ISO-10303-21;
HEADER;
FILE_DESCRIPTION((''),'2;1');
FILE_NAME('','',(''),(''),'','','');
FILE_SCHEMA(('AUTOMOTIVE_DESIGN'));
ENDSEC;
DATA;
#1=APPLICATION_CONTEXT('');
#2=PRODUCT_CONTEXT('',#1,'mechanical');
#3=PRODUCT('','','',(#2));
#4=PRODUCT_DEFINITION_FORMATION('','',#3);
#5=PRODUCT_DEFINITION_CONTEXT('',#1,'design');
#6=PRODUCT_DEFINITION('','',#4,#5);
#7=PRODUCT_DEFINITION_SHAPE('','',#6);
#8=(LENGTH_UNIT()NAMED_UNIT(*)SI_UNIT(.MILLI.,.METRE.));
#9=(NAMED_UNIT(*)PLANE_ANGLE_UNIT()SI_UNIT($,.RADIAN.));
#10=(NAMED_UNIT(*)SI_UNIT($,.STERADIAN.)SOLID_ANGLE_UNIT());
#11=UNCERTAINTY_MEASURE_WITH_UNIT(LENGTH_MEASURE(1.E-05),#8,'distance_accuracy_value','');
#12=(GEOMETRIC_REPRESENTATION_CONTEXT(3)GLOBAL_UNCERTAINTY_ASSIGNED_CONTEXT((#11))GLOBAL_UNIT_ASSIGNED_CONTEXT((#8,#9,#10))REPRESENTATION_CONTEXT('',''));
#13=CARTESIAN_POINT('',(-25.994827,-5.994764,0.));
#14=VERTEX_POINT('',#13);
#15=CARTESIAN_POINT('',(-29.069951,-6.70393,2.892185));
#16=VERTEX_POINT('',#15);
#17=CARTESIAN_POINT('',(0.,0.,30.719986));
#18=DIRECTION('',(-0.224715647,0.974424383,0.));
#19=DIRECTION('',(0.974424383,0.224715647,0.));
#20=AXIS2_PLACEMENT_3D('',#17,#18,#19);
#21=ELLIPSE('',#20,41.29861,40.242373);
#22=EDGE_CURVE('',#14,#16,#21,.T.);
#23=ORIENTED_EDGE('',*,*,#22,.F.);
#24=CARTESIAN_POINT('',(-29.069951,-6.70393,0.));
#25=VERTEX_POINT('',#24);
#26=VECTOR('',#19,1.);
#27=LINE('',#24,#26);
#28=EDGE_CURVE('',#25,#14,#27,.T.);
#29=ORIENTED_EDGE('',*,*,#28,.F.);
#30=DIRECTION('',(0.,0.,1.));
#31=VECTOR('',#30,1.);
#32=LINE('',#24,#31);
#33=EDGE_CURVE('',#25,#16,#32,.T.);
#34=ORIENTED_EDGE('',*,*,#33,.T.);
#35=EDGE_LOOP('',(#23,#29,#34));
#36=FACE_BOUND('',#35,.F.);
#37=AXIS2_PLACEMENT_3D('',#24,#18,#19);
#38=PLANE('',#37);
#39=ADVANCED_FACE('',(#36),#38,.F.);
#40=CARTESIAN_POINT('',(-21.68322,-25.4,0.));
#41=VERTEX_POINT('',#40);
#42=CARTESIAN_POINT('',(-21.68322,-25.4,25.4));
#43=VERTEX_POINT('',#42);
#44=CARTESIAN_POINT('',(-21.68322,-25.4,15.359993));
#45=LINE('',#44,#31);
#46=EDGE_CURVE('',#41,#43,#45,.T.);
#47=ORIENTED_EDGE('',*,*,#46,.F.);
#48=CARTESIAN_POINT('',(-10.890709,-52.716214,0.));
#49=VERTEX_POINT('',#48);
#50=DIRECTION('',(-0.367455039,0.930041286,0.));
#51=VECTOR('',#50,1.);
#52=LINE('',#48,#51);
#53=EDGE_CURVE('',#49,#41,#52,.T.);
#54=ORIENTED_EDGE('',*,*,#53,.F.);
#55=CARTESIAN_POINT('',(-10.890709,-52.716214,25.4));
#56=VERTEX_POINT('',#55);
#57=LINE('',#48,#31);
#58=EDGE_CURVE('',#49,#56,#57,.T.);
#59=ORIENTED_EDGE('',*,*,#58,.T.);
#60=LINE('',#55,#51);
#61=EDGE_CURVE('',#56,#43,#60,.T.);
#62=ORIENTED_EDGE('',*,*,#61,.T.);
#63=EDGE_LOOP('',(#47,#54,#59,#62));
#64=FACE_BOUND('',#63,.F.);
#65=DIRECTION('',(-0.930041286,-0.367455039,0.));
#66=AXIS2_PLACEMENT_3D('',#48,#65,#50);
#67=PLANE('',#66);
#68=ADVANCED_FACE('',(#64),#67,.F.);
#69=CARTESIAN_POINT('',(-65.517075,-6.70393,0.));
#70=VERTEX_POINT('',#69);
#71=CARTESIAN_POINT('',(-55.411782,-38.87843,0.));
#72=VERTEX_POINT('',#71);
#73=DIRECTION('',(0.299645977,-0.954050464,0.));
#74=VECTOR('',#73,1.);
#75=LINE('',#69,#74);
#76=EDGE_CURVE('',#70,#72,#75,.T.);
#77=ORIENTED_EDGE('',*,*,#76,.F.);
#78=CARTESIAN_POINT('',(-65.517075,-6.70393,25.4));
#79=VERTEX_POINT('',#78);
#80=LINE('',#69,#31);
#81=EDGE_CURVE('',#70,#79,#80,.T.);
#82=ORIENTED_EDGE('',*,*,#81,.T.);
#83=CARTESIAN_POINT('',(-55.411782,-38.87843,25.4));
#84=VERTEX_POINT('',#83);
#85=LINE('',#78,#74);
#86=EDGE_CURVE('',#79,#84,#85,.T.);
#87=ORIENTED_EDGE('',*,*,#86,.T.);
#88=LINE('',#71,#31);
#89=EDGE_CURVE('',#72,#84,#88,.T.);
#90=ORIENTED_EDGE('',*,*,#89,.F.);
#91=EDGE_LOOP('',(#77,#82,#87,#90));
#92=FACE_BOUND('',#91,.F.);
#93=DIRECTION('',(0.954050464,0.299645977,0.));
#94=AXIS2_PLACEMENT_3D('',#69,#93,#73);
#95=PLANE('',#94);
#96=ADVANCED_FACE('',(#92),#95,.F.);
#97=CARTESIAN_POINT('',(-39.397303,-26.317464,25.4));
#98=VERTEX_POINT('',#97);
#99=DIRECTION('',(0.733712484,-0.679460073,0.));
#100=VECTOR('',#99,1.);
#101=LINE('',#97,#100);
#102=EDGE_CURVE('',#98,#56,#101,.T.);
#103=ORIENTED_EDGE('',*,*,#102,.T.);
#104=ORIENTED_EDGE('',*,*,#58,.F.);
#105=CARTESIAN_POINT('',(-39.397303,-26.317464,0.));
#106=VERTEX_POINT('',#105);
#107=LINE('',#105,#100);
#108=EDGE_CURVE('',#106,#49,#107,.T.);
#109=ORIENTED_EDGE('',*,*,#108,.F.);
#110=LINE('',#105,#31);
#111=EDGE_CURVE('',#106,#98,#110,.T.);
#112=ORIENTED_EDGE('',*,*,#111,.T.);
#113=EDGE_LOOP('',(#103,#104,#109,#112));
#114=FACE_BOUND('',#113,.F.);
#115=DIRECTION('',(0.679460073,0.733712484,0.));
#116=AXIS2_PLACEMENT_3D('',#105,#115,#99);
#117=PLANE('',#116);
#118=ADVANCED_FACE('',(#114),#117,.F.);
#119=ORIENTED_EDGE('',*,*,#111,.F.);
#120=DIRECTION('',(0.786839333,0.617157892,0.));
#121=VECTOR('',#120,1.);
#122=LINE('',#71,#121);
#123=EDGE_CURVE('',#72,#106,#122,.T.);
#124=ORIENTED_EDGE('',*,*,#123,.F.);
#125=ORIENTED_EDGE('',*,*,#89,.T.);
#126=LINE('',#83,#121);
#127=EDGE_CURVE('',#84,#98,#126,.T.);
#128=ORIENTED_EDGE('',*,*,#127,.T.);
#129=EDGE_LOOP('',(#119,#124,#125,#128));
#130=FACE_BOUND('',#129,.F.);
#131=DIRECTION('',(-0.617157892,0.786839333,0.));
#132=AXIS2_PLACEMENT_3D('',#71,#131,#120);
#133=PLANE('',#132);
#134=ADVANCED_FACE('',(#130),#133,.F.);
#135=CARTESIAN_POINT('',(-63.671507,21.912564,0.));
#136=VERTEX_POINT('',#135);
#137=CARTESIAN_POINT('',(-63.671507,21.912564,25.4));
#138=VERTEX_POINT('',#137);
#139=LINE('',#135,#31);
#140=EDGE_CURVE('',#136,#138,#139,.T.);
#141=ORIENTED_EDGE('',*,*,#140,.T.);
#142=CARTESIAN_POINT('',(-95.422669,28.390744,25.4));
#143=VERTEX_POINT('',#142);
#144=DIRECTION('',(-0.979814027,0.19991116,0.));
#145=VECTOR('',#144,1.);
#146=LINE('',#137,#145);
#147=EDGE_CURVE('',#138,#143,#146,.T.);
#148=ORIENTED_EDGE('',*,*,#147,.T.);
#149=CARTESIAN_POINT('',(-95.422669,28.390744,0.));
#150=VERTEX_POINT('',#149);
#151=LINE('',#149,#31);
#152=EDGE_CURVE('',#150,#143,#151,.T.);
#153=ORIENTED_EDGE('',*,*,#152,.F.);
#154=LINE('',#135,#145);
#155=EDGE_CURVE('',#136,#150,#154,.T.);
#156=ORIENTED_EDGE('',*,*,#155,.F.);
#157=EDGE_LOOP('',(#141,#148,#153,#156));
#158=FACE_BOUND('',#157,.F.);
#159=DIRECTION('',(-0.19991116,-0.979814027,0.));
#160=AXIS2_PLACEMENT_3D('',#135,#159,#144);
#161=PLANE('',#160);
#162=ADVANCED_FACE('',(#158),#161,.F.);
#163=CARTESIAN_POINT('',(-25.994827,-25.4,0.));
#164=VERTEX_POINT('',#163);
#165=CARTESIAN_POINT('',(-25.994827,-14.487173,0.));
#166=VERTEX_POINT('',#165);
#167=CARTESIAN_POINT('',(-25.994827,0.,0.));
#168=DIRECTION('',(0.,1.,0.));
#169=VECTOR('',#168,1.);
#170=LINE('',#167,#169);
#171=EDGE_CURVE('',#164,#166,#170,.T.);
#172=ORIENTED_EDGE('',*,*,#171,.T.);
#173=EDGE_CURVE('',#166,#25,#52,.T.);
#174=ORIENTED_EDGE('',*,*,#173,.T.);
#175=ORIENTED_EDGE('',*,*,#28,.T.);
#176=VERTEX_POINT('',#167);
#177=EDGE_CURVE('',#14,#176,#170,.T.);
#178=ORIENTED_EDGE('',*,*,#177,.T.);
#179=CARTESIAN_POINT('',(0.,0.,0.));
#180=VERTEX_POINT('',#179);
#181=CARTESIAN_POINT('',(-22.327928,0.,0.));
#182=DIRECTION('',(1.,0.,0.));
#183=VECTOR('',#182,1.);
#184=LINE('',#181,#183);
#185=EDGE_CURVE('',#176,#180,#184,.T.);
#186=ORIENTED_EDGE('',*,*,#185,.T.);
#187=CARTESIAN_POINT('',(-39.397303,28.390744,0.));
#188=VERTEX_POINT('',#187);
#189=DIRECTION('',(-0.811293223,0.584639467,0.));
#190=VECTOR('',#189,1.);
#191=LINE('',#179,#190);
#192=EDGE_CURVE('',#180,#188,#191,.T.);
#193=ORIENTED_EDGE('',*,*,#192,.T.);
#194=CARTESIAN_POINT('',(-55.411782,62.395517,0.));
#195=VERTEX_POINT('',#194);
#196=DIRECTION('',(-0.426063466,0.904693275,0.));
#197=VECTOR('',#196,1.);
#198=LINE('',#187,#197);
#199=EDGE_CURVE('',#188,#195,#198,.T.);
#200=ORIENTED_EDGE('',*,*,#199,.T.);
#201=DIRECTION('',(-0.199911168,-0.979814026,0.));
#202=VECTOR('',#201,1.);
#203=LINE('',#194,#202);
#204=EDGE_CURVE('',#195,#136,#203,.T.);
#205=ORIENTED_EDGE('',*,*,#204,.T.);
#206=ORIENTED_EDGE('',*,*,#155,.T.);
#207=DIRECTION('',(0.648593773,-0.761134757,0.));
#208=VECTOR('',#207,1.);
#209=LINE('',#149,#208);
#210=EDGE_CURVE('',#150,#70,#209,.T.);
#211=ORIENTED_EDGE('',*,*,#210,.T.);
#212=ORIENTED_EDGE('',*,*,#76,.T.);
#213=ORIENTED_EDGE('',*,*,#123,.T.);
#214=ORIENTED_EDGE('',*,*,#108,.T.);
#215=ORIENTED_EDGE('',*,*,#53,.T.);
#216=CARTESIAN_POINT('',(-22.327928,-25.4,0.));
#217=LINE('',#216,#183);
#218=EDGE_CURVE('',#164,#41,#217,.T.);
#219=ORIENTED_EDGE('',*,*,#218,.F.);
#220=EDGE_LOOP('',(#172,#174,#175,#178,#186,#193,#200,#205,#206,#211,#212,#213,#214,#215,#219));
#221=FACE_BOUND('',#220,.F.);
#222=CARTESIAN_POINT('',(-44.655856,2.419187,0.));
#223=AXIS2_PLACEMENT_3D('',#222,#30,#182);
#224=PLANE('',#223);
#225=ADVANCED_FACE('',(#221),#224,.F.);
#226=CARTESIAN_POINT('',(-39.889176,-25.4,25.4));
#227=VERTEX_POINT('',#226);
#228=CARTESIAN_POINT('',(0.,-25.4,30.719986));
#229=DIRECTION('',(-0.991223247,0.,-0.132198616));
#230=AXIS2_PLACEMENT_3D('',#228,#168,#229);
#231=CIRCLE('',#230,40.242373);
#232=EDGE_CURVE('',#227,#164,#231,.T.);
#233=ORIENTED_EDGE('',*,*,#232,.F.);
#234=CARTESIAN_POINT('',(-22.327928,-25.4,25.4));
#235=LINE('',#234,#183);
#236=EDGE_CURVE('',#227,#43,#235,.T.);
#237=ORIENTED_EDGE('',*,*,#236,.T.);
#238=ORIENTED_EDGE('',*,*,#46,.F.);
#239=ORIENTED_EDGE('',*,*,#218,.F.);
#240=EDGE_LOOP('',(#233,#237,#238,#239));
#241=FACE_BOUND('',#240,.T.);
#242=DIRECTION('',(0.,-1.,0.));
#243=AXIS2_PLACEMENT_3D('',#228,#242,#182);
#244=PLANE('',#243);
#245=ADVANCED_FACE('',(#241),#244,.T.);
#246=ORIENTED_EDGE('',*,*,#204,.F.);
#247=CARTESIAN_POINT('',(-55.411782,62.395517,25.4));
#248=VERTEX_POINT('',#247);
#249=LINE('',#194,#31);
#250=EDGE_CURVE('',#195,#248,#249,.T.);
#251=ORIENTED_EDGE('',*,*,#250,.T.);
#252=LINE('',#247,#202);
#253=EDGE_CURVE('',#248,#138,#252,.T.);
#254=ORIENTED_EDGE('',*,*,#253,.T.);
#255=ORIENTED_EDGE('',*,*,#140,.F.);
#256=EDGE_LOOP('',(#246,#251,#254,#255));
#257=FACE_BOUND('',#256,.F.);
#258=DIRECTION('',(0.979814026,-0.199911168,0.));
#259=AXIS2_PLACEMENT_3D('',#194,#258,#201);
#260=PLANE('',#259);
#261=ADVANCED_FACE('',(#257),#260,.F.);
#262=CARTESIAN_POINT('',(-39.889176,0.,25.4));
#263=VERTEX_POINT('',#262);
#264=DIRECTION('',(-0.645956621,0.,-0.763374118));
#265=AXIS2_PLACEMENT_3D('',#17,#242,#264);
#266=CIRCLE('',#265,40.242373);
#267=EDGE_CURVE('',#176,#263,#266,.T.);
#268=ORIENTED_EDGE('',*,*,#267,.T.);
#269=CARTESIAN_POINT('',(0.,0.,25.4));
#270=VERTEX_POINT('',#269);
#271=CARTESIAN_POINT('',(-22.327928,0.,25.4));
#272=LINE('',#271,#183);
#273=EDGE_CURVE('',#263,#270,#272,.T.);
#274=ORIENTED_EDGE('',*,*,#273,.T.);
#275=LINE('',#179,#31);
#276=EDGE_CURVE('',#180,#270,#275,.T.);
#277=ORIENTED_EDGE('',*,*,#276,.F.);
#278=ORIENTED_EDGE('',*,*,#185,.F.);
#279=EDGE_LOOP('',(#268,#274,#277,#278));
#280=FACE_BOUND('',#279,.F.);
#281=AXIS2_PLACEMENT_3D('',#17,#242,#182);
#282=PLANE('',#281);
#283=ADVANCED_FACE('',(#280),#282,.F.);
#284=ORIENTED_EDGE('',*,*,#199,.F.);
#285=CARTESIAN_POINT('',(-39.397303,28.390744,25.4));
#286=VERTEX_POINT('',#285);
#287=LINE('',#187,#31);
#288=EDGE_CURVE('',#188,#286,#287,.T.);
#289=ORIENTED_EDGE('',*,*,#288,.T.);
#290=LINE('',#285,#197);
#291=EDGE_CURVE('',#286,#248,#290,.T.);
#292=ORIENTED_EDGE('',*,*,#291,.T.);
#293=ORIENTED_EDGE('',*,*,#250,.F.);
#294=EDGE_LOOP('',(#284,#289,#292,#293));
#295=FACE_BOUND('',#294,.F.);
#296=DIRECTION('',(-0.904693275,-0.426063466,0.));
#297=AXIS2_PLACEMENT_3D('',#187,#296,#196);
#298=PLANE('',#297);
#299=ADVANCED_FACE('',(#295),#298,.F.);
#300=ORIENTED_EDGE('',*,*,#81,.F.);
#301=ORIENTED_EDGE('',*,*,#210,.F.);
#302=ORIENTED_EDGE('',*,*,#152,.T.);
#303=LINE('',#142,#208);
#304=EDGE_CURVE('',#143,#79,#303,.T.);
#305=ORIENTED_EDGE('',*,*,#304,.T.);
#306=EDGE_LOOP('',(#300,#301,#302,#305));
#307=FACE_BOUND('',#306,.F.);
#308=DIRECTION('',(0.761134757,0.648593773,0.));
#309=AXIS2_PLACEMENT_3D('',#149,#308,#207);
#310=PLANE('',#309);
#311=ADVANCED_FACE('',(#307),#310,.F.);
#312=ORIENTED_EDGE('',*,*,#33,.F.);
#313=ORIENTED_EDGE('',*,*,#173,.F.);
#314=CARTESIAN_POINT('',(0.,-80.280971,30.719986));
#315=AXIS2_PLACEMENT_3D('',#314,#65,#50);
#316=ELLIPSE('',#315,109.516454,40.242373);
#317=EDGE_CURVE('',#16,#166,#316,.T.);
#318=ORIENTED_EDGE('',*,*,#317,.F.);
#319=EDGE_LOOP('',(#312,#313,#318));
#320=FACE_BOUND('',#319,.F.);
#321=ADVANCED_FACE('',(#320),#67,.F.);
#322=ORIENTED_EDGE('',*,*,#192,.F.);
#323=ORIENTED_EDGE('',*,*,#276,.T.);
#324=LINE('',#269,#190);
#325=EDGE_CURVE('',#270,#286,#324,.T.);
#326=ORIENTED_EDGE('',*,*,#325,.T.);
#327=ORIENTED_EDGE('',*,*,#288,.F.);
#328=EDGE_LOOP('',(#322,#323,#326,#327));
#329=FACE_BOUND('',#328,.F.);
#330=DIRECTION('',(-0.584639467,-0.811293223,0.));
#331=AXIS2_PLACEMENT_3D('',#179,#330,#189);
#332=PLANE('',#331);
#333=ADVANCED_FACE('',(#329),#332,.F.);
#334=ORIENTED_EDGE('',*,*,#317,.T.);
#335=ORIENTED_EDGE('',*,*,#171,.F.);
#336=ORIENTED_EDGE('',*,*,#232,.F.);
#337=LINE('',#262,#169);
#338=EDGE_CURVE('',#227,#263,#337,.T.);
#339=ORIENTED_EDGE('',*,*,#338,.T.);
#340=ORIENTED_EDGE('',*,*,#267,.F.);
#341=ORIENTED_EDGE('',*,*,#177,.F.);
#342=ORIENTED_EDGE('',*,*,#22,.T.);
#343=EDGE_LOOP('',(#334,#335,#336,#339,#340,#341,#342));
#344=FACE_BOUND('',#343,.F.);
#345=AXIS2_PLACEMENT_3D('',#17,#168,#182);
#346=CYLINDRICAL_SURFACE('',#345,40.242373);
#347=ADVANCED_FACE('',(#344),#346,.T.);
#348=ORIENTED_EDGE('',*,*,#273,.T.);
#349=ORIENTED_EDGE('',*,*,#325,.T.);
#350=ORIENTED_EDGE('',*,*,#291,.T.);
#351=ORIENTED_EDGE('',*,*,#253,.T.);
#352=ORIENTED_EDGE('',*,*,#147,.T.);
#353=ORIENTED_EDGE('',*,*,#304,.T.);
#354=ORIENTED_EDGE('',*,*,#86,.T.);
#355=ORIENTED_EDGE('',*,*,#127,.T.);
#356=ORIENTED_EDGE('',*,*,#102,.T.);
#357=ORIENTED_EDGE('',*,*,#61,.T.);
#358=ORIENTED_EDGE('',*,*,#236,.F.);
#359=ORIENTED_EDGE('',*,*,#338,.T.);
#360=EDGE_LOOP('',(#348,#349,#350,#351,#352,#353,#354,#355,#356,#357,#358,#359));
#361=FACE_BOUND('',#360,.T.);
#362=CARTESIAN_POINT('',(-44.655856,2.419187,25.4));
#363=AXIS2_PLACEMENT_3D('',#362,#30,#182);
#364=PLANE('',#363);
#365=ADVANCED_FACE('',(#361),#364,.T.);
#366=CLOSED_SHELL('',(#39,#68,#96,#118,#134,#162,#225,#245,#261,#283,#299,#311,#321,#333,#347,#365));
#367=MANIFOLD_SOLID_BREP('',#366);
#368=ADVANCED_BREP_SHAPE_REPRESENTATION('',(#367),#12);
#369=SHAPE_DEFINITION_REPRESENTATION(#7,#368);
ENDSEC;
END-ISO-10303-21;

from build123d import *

# Parameters (mm, degrees)
F1_DEPTH = 25.4
F2_R     = 40.242373
F3_DEPTH = 25.4


with BuildPart() as f1:
    # F0 (on Top) → F1 (new body)
    with BuildSketch(Plane.XY):
        Polygon((-39.397303, 28.390744), (-55.411782, 62.395517), (-63.671507, 21.912564), (-95.422669, 28.390744), (-65.517075, -6.70393), (-55.411782, -38.87843), (-39.397303, -26.317464), (-10.890709, -52.716214), (-29.069951, -6.70393), (0, 0), align=None)
    extrude(amount=F1_DEPTH)

    # F2 (on Front) → F3 (join)
    with BuildSketch(Plane.XZ):
        with Locations((0, 30.719986)):
            Circle(F2_R)
    extrude(amount=F3_DEPTH)


solid = f1.part
